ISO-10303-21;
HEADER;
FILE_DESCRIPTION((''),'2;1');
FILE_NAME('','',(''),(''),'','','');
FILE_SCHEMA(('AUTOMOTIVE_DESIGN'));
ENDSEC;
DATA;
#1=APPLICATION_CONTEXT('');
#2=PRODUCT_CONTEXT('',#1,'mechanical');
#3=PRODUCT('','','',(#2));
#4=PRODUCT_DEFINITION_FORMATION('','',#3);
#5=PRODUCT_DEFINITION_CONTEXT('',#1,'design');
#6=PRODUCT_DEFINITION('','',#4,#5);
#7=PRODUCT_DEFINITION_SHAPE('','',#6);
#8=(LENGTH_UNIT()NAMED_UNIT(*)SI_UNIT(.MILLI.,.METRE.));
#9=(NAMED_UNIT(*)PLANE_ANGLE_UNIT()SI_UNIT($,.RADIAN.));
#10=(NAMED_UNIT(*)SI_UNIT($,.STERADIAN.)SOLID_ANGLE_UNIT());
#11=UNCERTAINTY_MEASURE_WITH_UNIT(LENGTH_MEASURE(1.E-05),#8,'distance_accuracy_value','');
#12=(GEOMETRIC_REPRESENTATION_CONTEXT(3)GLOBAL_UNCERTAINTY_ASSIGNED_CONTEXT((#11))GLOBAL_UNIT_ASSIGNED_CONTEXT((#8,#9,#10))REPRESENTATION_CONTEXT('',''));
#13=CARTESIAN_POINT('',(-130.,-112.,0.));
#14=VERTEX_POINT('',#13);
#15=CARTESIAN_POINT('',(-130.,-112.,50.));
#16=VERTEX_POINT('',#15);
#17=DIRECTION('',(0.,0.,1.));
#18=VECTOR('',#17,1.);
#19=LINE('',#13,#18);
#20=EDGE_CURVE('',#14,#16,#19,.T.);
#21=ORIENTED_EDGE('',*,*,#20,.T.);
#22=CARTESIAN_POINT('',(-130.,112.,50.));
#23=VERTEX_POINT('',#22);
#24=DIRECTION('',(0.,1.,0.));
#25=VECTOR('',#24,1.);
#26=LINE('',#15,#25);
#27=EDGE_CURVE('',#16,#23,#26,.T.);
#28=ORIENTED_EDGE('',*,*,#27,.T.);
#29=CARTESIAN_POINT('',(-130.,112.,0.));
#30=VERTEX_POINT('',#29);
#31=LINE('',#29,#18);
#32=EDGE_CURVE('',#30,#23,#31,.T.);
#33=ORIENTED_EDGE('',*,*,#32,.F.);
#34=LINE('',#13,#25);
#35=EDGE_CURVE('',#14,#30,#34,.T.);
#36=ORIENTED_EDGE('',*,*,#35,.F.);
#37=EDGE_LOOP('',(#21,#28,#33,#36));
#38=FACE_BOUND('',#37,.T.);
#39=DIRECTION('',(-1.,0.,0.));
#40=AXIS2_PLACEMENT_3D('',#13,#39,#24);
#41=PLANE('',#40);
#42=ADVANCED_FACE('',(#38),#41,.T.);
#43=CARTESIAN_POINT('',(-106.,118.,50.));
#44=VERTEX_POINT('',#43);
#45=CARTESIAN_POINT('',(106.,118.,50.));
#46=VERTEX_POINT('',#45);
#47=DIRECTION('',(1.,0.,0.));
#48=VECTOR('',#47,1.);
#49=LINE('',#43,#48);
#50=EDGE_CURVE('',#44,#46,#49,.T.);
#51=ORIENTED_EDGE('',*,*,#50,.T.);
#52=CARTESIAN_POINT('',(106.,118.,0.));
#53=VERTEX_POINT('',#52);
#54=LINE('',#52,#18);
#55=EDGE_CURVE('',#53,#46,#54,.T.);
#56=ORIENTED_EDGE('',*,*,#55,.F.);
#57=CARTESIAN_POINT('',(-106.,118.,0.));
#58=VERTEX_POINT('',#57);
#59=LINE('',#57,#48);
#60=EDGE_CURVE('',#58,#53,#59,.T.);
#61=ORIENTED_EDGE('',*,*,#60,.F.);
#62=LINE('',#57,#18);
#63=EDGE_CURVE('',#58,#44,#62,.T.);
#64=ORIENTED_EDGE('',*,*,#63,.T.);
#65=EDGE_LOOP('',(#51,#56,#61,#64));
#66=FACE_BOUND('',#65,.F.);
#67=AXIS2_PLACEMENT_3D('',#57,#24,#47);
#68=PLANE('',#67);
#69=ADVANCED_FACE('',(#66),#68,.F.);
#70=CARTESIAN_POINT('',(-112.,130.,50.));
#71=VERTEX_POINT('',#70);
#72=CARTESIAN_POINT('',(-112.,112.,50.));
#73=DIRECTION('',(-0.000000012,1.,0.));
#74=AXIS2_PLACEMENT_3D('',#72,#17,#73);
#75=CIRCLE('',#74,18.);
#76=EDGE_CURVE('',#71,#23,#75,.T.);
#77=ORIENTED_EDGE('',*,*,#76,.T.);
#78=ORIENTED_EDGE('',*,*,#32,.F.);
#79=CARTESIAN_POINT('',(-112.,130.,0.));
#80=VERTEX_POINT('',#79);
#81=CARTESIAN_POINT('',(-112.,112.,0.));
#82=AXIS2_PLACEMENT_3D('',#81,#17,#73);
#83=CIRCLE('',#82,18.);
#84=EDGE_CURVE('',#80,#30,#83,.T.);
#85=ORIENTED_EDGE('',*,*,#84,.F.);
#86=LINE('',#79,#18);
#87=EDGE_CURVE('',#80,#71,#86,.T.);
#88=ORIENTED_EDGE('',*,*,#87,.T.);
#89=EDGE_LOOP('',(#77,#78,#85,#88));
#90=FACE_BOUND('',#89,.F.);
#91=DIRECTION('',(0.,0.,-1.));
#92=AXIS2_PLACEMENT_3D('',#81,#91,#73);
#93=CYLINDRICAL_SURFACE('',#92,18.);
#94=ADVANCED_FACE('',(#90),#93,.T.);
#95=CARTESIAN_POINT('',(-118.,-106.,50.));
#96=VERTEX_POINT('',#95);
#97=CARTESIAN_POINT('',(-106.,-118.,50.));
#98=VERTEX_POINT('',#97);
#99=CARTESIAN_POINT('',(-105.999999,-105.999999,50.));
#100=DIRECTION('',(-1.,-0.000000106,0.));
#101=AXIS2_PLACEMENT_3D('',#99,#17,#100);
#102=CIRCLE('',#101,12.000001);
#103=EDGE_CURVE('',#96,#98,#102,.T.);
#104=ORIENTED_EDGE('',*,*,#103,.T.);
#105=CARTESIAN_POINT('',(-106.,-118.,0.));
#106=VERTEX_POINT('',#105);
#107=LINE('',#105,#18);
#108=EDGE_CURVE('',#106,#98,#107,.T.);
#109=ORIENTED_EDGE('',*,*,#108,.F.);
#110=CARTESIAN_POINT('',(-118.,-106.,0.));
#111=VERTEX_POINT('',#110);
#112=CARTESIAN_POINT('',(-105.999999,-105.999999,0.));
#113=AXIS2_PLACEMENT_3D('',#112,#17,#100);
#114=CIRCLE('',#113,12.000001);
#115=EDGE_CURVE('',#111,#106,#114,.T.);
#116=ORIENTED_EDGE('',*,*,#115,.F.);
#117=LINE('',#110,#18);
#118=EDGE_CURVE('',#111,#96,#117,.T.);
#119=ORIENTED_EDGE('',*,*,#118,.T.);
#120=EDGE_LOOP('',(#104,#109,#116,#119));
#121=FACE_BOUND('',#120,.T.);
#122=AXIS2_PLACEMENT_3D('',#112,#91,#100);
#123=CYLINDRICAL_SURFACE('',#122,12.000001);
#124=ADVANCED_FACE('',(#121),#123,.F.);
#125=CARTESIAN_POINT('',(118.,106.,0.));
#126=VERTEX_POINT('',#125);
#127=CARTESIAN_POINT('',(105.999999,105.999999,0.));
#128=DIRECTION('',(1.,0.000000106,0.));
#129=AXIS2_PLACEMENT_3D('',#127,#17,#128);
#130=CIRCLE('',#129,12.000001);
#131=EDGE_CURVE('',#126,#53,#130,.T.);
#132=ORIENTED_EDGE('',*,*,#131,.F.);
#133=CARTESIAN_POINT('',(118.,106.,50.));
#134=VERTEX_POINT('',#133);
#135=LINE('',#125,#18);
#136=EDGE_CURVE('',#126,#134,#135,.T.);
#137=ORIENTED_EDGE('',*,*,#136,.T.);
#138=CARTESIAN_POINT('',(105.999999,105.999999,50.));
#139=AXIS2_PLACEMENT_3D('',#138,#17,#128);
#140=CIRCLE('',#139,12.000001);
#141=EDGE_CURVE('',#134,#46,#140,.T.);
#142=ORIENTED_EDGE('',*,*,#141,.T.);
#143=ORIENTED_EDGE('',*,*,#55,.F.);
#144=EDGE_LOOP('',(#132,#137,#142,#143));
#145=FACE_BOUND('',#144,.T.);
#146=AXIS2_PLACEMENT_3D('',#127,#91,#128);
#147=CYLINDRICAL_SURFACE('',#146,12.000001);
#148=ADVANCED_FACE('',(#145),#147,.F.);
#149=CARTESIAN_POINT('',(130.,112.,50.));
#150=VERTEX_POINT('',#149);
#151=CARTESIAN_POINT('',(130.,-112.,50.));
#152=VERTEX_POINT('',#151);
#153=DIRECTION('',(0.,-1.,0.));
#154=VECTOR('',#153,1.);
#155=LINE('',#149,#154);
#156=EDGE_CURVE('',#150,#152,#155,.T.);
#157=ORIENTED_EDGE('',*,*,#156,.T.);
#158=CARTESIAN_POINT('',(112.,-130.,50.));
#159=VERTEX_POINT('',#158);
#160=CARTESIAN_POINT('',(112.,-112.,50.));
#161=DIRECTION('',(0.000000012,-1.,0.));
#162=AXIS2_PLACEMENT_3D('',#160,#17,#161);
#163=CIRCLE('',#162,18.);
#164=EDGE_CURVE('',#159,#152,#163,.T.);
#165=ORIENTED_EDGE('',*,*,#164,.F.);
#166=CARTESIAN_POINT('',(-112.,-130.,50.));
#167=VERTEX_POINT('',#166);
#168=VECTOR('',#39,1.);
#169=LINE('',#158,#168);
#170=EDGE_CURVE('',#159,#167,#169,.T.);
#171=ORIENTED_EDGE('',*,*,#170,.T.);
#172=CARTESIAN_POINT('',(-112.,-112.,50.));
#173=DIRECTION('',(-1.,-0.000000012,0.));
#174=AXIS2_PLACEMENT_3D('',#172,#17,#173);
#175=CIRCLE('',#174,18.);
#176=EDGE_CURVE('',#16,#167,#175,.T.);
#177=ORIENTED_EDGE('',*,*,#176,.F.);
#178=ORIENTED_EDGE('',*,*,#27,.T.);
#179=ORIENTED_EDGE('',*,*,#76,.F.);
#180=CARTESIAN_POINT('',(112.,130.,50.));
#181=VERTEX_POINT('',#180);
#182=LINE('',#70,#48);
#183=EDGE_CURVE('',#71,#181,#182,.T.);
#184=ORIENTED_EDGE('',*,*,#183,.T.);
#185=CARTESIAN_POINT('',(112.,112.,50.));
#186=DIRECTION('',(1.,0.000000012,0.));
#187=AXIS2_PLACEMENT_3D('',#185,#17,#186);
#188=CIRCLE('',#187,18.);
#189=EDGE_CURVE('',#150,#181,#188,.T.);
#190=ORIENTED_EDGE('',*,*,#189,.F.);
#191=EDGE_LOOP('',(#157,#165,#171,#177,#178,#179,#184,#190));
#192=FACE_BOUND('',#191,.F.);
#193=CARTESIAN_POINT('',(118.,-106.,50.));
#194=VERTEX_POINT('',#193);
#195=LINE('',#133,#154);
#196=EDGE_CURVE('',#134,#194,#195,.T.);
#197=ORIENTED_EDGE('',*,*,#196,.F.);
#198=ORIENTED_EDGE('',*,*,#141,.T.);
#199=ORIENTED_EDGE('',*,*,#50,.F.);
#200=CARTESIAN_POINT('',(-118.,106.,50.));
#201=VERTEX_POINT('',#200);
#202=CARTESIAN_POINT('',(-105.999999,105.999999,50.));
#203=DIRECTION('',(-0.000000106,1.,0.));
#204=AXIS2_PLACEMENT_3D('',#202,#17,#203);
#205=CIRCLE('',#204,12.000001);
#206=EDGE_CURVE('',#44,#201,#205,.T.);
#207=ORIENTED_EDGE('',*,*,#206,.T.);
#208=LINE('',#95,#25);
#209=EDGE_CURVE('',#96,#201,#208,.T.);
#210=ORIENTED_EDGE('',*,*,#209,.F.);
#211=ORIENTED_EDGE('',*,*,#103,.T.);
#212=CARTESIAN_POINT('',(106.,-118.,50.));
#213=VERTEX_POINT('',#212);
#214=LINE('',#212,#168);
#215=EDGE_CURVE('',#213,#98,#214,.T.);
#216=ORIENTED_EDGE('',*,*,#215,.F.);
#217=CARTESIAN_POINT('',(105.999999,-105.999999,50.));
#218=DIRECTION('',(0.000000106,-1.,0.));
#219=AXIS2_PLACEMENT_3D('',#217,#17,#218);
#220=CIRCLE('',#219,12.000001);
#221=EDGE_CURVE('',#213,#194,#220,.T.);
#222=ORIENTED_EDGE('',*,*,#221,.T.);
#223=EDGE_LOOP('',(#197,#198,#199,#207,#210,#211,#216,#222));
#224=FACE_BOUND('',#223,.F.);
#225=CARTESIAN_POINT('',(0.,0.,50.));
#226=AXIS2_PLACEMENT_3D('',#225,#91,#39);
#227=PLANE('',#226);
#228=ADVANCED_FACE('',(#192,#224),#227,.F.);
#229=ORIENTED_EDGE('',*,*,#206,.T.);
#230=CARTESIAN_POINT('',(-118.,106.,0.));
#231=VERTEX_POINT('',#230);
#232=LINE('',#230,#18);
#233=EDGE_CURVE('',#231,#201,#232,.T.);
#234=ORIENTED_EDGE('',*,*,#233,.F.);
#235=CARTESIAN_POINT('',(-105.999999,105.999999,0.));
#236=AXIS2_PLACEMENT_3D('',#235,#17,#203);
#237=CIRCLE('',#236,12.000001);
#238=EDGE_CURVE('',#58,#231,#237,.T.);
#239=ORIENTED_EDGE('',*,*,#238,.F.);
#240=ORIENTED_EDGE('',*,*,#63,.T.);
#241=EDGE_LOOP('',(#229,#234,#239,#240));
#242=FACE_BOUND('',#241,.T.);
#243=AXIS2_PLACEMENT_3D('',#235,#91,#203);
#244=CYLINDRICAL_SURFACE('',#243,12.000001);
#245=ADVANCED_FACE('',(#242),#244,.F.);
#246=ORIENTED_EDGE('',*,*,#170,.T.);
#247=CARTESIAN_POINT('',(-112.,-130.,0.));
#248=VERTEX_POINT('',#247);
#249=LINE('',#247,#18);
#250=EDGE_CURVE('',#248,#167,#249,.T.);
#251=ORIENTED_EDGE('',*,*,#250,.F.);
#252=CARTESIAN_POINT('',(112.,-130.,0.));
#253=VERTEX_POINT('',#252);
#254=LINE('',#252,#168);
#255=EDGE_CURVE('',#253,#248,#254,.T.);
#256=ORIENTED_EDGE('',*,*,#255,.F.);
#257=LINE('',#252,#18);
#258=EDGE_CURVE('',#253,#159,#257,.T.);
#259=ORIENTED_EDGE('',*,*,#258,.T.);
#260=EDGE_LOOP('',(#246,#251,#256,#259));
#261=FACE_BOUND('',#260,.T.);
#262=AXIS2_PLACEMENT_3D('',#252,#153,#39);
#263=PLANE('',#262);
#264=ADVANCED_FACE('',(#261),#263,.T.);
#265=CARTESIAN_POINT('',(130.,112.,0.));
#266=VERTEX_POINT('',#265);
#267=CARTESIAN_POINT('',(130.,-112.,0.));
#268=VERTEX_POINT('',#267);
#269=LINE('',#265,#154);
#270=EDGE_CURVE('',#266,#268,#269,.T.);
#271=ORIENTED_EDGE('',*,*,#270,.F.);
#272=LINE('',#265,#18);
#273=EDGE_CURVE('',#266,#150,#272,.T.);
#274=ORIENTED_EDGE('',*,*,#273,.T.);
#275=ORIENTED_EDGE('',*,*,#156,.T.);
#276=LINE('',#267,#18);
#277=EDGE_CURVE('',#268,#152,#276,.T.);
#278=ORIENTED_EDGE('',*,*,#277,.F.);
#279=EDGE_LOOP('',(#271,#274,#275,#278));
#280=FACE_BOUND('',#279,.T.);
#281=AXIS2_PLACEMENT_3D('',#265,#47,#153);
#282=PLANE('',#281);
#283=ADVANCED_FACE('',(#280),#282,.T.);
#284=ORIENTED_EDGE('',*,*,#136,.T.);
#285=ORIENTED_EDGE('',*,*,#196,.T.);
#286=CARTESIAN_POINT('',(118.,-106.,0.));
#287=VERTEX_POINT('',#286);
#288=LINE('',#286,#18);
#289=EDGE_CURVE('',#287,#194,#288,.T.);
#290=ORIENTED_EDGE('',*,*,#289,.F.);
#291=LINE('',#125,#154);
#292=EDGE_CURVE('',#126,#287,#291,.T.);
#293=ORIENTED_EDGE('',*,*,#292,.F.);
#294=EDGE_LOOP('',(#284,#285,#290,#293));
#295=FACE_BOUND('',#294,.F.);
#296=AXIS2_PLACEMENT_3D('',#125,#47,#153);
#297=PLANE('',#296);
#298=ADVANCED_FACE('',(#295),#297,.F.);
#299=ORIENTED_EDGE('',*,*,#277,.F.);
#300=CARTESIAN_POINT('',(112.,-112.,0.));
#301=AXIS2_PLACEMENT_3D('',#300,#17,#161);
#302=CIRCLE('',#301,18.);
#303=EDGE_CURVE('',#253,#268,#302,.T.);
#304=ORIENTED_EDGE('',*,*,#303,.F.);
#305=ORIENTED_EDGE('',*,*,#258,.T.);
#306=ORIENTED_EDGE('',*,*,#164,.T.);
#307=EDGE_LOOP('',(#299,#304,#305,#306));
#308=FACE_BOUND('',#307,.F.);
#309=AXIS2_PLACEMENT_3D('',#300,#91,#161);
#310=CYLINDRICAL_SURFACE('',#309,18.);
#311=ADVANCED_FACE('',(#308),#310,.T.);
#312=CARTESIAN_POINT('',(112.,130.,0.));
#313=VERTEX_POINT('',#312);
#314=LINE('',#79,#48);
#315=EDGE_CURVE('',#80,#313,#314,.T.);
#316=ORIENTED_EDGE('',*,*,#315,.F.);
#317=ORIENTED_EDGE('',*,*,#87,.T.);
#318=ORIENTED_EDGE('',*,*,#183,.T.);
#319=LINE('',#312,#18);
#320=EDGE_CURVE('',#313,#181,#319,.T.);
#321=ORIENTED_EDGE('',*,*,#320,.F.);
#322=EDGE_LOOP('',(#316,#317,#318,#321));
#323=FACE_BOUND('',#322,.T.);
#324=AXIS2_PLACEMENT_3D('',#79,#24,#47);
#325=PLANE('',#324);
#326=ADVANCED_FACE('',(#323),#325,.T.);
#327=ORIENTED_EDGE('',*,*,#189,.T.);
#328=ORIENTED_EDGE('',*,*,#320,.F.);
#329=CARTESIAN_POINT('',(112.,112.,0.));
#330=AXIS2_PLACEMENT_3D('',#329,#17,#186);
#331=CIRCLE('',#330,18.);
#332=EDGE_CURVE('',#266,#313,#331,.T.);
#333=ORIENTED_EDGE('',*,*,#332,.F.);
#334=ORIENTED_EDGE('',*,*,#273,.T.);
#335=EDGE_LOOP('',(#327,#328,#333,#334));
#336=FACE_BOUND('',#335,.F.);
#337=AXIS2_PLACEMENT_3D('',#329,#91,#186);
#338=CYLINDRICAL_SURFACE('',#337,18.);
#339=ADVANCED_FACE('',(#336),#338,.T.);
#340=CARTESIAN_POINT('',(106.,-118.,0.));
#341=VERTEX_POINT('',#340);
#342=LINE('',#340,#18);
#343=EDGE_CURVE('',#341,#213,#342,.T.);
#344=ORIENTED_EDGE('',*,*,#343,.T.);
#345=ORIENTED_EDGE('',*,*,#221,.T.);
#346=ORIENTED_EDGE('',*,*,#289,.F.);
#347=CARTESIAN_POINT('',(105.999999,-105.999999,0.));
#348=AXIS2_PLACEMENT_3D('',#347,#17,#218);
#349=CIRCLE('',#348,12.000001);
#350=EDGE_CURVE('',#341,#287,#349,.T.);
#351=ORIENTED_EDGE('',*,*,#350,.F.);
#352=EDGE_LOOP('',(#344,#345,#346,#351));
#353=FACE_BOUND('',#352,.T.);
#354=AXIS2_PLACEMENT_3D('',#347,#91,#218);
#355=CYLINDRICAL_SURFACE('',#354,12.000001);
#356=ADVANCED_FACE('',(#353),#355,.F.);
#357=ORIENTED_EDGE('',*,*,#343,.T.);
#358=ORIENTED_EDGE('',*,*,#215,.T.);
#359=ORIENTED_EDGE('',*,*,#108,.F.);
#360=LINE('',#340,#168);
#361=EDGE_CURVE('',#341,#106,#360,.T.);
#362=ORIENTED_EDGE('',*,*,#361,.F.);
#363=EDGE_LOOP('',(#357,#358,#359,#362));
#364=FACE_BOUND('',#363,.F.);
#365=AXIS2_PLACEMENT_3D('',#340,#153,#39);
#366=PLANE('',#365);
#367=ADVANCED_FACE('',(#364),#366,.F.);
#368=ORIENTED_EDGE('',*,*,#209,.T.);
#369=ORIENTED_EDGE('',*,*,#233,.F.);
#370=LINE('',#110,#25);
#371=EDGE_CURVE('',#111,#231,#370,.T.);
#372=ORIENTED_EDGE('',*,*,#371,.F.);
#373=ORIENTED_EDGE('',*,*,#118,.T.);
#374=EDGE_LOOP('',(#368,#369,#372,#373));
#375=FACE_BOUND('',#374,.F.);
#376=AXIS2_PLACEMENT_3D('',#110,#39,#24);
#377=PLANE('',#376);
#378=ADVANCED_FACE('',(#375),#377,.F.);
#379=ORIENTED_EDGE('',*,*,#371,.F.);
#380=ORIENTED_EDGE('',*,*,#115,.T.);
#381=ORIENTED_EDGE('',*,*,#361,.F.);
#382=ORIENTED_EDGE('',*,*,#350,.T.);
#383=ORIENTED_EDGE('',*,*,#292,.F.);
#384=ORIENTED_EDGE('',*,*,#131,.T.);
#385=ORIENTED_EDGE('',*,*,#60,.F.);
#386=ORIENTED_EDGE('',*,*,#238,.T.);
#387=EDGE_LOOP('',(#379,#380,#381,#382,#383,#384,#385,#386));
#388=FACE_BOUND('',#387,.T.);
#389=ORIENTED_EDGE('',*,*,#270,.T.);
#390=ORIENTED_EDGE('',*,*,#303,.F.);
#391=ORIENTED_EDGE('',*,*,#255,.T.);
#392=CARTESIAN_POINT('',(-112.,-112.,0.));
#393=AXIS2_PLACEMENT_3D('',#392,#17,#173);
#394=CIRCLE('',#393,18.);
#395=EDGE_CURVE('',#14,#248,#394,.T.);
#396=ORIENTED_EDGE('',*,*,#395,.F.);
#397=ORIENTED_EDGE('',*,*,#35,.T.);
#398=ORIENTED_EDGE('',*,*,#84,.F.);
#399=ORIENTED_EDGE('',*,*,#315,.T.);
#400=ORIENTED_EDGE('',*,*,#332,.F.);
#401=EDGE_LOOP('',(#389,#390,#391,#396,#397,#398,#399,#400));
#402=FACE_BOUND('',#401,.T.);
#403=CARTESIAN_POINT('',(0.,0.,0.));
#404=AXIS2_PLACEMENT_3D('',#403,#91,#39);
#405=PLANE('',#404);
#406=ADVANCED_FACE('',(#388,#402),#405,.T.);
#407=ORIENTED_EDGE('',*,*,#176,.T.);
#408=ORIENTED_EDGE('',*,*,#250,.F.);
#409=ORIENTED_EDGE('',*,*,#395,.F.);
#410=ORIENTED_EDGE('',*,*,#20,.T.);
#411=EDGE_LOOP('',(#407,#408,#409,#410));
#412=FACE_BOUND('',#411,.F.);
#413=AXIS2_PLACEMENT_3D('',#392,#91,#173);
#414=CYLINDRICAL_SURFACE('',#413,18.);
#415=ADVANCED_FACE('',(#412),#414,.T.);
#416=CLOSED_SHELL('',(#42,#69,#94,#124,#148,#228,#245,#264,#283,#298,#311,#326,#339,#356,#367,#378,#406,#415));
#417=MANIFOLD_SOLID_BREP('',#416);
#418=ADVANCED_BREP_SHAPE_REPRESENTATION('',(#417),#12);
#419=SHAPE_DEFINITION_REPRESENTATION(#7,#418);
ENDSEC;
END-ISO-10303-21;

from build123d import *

# Parameters (mm, degrees)
EXTRUDE_DEPTH = 50


with BuildPart() as part:
    # Sketch → Extrude (new body)
    with BuildSketch(Plane.XY):
        with BuildLine():
            Line((-112, 130), (112, 130))
            ThreePointArc((130, 112), (124.727922, 124.727922), (112, 130))
            Line((130, 112), (130, -112))
            ThreePointArc((112, -130), (124.727922, -124.727922), (130, -112))
            Line((112, -130), (-112, -130))
            ThreePointArc((-130, -112), (-124.727922, -124.727922), (-112, -130))
            Line((-130, -112), (-130, 112))
            ThreePointArc((-112, 130), (-124.727922, 124.727922), (-130, 112))
        make_face()
        with BuildLine():
            Line((-106, 118), (106, 118))
            ThreePointArc((118, 106), (114.485281, 114.485281), (106, 118))
            Line((118, 106), (118, -106))
            ThreePointArc((106, -118), (114.485281, -114.485281), (118, -106))
            Line((106, -118), (-106, -118))
            ThreePointArc((-118, -106), (-114.485281, -114.485281), (-106, -118))
            Line((-118, -106), (-118, 106))
            ThreePointArc((-106, 118), (-114.485281, 114.485281), (-118, 106))
        make_face(mode=Mode.SUBTRACT)
    extrude(amount=EXTRUDE_DEPTH)


solid = part.part
